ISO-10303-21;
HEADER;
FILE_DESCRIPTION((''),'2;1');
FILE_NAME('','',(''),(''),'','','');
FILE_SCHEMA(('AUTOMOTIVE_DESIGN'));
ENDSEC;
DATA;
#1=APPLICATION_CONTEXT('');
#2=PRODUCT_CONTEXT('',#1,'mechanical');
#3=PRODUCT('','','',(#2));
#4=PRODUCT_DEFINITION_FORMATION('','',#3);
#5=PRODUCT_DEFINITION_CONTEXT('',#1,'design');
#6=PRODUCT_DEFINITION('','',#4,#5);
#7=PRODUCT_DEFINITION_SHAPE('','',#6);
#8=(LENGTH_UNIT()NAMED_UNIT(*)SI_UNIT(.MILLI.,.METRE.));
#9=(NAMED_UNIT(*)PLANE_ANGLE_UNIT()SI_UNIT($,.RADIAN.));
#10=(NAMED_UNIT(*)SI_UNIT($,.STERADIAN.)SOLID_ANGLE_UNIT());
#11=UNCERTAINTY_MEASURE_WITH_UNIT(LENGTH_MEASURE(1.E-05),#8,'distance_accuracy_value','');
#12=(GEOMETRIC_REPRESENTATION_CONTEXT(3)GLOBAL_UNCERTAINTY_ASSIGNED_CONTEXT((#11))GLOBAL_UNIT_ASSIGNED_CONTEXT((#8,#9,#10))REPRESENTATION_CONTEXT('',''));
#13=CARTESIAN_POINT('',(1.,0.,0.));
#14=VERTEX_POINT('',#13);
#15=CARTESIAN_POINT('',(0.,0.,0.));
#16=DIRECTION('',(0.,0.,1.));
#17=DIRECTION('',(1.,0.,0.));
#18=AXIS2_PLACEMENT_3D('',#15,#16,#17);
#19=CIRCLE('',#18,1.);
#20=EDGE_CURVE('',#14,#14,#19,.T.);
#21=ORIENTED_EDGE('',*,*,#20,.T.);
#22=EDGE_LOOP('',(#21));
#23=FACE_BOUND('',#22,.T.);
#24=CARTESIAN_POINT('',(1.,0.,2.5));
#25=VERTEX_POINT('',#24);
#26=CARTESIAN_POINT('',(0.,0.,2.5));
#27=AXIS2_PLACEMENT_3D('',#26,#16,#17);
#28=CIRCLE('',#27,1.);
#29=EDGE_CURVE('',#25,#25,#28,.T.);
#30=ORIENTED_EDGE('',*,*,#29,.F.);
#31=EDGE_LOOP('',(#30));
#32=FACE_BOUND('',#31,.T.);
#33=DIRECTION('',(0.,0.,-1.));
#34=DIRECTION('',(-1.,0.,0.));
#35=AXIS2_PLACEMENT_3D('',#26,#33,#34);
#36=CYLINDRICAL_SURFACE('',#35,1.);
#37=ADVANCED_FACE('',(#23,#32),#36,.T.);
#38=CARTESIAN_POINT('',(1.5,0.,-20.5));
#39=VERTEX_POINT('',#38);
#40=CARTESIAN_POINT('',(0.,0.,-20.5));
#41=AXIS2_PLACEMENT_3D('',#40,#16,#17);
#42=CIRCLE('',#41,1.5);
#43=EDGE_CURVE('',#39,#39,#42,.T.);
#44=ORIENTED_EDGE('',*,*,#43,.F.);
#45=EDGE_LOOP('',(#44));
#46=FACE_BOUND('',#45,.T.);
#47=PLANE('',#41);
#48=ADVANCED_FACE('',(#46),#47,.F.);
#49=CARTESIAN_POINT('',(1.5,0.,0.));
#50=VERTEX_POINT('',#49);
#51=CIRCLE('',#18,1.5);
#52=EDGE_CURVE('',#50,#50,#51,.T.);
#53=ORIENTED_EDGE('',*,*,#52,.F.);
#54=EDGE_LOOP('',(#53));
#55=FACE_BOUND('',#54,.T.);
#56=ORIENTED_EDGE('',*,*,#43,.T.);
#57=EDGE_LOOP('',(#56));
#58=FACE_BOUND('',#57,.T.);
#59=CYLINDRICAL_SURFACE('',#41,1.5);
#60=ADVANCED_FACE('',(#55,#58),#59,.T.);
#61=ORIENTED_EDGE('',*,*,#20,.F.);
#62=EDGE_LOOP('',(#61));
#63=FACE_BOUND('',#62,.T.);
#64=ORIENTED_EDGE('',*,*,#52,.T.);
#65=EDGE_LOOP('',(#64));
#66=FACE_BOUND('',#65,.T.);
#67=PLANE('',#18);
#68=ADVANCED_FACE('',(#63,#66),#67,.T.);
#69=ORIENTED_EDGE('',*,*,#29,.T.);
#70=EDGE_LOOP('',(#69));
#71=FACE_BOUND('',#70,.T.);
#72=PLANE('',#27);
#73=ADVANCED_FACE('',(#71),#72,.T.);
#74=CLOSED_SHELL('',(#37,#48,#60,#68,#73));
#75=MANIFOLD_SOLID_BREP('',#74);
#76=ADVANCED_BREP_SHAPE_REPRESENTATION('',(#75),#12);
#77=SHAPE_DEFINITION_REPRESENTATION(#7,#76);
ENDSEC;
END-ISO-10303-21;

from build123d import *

# Parameters (mm, degrees)
SKETCH1_R           = 1
BOSS_EXTRUDE1_DEPTH = 2.5
SKETCH1_3_R         = 1.5
BOSS_EXTRUDE2_DEPTH = 20.5


with BuildPart() as part:
    # Sketch1 → Boss-Extrude1 (new body)
    with BuildSketch(Plane.XY):
        Circle(SKETCH1_R)
    extrude(amount=BOSS_EXTRUDE1_DEPTH)

    # Sketch1<3> → Boss-Extrude2 (add)
    with BuildSketch(Plane.XY):
        Circle(SKETCH1_3_R)
    extrude(amount=-BOSS_EXTRUDE2_DEPTH)


solid = part.part
